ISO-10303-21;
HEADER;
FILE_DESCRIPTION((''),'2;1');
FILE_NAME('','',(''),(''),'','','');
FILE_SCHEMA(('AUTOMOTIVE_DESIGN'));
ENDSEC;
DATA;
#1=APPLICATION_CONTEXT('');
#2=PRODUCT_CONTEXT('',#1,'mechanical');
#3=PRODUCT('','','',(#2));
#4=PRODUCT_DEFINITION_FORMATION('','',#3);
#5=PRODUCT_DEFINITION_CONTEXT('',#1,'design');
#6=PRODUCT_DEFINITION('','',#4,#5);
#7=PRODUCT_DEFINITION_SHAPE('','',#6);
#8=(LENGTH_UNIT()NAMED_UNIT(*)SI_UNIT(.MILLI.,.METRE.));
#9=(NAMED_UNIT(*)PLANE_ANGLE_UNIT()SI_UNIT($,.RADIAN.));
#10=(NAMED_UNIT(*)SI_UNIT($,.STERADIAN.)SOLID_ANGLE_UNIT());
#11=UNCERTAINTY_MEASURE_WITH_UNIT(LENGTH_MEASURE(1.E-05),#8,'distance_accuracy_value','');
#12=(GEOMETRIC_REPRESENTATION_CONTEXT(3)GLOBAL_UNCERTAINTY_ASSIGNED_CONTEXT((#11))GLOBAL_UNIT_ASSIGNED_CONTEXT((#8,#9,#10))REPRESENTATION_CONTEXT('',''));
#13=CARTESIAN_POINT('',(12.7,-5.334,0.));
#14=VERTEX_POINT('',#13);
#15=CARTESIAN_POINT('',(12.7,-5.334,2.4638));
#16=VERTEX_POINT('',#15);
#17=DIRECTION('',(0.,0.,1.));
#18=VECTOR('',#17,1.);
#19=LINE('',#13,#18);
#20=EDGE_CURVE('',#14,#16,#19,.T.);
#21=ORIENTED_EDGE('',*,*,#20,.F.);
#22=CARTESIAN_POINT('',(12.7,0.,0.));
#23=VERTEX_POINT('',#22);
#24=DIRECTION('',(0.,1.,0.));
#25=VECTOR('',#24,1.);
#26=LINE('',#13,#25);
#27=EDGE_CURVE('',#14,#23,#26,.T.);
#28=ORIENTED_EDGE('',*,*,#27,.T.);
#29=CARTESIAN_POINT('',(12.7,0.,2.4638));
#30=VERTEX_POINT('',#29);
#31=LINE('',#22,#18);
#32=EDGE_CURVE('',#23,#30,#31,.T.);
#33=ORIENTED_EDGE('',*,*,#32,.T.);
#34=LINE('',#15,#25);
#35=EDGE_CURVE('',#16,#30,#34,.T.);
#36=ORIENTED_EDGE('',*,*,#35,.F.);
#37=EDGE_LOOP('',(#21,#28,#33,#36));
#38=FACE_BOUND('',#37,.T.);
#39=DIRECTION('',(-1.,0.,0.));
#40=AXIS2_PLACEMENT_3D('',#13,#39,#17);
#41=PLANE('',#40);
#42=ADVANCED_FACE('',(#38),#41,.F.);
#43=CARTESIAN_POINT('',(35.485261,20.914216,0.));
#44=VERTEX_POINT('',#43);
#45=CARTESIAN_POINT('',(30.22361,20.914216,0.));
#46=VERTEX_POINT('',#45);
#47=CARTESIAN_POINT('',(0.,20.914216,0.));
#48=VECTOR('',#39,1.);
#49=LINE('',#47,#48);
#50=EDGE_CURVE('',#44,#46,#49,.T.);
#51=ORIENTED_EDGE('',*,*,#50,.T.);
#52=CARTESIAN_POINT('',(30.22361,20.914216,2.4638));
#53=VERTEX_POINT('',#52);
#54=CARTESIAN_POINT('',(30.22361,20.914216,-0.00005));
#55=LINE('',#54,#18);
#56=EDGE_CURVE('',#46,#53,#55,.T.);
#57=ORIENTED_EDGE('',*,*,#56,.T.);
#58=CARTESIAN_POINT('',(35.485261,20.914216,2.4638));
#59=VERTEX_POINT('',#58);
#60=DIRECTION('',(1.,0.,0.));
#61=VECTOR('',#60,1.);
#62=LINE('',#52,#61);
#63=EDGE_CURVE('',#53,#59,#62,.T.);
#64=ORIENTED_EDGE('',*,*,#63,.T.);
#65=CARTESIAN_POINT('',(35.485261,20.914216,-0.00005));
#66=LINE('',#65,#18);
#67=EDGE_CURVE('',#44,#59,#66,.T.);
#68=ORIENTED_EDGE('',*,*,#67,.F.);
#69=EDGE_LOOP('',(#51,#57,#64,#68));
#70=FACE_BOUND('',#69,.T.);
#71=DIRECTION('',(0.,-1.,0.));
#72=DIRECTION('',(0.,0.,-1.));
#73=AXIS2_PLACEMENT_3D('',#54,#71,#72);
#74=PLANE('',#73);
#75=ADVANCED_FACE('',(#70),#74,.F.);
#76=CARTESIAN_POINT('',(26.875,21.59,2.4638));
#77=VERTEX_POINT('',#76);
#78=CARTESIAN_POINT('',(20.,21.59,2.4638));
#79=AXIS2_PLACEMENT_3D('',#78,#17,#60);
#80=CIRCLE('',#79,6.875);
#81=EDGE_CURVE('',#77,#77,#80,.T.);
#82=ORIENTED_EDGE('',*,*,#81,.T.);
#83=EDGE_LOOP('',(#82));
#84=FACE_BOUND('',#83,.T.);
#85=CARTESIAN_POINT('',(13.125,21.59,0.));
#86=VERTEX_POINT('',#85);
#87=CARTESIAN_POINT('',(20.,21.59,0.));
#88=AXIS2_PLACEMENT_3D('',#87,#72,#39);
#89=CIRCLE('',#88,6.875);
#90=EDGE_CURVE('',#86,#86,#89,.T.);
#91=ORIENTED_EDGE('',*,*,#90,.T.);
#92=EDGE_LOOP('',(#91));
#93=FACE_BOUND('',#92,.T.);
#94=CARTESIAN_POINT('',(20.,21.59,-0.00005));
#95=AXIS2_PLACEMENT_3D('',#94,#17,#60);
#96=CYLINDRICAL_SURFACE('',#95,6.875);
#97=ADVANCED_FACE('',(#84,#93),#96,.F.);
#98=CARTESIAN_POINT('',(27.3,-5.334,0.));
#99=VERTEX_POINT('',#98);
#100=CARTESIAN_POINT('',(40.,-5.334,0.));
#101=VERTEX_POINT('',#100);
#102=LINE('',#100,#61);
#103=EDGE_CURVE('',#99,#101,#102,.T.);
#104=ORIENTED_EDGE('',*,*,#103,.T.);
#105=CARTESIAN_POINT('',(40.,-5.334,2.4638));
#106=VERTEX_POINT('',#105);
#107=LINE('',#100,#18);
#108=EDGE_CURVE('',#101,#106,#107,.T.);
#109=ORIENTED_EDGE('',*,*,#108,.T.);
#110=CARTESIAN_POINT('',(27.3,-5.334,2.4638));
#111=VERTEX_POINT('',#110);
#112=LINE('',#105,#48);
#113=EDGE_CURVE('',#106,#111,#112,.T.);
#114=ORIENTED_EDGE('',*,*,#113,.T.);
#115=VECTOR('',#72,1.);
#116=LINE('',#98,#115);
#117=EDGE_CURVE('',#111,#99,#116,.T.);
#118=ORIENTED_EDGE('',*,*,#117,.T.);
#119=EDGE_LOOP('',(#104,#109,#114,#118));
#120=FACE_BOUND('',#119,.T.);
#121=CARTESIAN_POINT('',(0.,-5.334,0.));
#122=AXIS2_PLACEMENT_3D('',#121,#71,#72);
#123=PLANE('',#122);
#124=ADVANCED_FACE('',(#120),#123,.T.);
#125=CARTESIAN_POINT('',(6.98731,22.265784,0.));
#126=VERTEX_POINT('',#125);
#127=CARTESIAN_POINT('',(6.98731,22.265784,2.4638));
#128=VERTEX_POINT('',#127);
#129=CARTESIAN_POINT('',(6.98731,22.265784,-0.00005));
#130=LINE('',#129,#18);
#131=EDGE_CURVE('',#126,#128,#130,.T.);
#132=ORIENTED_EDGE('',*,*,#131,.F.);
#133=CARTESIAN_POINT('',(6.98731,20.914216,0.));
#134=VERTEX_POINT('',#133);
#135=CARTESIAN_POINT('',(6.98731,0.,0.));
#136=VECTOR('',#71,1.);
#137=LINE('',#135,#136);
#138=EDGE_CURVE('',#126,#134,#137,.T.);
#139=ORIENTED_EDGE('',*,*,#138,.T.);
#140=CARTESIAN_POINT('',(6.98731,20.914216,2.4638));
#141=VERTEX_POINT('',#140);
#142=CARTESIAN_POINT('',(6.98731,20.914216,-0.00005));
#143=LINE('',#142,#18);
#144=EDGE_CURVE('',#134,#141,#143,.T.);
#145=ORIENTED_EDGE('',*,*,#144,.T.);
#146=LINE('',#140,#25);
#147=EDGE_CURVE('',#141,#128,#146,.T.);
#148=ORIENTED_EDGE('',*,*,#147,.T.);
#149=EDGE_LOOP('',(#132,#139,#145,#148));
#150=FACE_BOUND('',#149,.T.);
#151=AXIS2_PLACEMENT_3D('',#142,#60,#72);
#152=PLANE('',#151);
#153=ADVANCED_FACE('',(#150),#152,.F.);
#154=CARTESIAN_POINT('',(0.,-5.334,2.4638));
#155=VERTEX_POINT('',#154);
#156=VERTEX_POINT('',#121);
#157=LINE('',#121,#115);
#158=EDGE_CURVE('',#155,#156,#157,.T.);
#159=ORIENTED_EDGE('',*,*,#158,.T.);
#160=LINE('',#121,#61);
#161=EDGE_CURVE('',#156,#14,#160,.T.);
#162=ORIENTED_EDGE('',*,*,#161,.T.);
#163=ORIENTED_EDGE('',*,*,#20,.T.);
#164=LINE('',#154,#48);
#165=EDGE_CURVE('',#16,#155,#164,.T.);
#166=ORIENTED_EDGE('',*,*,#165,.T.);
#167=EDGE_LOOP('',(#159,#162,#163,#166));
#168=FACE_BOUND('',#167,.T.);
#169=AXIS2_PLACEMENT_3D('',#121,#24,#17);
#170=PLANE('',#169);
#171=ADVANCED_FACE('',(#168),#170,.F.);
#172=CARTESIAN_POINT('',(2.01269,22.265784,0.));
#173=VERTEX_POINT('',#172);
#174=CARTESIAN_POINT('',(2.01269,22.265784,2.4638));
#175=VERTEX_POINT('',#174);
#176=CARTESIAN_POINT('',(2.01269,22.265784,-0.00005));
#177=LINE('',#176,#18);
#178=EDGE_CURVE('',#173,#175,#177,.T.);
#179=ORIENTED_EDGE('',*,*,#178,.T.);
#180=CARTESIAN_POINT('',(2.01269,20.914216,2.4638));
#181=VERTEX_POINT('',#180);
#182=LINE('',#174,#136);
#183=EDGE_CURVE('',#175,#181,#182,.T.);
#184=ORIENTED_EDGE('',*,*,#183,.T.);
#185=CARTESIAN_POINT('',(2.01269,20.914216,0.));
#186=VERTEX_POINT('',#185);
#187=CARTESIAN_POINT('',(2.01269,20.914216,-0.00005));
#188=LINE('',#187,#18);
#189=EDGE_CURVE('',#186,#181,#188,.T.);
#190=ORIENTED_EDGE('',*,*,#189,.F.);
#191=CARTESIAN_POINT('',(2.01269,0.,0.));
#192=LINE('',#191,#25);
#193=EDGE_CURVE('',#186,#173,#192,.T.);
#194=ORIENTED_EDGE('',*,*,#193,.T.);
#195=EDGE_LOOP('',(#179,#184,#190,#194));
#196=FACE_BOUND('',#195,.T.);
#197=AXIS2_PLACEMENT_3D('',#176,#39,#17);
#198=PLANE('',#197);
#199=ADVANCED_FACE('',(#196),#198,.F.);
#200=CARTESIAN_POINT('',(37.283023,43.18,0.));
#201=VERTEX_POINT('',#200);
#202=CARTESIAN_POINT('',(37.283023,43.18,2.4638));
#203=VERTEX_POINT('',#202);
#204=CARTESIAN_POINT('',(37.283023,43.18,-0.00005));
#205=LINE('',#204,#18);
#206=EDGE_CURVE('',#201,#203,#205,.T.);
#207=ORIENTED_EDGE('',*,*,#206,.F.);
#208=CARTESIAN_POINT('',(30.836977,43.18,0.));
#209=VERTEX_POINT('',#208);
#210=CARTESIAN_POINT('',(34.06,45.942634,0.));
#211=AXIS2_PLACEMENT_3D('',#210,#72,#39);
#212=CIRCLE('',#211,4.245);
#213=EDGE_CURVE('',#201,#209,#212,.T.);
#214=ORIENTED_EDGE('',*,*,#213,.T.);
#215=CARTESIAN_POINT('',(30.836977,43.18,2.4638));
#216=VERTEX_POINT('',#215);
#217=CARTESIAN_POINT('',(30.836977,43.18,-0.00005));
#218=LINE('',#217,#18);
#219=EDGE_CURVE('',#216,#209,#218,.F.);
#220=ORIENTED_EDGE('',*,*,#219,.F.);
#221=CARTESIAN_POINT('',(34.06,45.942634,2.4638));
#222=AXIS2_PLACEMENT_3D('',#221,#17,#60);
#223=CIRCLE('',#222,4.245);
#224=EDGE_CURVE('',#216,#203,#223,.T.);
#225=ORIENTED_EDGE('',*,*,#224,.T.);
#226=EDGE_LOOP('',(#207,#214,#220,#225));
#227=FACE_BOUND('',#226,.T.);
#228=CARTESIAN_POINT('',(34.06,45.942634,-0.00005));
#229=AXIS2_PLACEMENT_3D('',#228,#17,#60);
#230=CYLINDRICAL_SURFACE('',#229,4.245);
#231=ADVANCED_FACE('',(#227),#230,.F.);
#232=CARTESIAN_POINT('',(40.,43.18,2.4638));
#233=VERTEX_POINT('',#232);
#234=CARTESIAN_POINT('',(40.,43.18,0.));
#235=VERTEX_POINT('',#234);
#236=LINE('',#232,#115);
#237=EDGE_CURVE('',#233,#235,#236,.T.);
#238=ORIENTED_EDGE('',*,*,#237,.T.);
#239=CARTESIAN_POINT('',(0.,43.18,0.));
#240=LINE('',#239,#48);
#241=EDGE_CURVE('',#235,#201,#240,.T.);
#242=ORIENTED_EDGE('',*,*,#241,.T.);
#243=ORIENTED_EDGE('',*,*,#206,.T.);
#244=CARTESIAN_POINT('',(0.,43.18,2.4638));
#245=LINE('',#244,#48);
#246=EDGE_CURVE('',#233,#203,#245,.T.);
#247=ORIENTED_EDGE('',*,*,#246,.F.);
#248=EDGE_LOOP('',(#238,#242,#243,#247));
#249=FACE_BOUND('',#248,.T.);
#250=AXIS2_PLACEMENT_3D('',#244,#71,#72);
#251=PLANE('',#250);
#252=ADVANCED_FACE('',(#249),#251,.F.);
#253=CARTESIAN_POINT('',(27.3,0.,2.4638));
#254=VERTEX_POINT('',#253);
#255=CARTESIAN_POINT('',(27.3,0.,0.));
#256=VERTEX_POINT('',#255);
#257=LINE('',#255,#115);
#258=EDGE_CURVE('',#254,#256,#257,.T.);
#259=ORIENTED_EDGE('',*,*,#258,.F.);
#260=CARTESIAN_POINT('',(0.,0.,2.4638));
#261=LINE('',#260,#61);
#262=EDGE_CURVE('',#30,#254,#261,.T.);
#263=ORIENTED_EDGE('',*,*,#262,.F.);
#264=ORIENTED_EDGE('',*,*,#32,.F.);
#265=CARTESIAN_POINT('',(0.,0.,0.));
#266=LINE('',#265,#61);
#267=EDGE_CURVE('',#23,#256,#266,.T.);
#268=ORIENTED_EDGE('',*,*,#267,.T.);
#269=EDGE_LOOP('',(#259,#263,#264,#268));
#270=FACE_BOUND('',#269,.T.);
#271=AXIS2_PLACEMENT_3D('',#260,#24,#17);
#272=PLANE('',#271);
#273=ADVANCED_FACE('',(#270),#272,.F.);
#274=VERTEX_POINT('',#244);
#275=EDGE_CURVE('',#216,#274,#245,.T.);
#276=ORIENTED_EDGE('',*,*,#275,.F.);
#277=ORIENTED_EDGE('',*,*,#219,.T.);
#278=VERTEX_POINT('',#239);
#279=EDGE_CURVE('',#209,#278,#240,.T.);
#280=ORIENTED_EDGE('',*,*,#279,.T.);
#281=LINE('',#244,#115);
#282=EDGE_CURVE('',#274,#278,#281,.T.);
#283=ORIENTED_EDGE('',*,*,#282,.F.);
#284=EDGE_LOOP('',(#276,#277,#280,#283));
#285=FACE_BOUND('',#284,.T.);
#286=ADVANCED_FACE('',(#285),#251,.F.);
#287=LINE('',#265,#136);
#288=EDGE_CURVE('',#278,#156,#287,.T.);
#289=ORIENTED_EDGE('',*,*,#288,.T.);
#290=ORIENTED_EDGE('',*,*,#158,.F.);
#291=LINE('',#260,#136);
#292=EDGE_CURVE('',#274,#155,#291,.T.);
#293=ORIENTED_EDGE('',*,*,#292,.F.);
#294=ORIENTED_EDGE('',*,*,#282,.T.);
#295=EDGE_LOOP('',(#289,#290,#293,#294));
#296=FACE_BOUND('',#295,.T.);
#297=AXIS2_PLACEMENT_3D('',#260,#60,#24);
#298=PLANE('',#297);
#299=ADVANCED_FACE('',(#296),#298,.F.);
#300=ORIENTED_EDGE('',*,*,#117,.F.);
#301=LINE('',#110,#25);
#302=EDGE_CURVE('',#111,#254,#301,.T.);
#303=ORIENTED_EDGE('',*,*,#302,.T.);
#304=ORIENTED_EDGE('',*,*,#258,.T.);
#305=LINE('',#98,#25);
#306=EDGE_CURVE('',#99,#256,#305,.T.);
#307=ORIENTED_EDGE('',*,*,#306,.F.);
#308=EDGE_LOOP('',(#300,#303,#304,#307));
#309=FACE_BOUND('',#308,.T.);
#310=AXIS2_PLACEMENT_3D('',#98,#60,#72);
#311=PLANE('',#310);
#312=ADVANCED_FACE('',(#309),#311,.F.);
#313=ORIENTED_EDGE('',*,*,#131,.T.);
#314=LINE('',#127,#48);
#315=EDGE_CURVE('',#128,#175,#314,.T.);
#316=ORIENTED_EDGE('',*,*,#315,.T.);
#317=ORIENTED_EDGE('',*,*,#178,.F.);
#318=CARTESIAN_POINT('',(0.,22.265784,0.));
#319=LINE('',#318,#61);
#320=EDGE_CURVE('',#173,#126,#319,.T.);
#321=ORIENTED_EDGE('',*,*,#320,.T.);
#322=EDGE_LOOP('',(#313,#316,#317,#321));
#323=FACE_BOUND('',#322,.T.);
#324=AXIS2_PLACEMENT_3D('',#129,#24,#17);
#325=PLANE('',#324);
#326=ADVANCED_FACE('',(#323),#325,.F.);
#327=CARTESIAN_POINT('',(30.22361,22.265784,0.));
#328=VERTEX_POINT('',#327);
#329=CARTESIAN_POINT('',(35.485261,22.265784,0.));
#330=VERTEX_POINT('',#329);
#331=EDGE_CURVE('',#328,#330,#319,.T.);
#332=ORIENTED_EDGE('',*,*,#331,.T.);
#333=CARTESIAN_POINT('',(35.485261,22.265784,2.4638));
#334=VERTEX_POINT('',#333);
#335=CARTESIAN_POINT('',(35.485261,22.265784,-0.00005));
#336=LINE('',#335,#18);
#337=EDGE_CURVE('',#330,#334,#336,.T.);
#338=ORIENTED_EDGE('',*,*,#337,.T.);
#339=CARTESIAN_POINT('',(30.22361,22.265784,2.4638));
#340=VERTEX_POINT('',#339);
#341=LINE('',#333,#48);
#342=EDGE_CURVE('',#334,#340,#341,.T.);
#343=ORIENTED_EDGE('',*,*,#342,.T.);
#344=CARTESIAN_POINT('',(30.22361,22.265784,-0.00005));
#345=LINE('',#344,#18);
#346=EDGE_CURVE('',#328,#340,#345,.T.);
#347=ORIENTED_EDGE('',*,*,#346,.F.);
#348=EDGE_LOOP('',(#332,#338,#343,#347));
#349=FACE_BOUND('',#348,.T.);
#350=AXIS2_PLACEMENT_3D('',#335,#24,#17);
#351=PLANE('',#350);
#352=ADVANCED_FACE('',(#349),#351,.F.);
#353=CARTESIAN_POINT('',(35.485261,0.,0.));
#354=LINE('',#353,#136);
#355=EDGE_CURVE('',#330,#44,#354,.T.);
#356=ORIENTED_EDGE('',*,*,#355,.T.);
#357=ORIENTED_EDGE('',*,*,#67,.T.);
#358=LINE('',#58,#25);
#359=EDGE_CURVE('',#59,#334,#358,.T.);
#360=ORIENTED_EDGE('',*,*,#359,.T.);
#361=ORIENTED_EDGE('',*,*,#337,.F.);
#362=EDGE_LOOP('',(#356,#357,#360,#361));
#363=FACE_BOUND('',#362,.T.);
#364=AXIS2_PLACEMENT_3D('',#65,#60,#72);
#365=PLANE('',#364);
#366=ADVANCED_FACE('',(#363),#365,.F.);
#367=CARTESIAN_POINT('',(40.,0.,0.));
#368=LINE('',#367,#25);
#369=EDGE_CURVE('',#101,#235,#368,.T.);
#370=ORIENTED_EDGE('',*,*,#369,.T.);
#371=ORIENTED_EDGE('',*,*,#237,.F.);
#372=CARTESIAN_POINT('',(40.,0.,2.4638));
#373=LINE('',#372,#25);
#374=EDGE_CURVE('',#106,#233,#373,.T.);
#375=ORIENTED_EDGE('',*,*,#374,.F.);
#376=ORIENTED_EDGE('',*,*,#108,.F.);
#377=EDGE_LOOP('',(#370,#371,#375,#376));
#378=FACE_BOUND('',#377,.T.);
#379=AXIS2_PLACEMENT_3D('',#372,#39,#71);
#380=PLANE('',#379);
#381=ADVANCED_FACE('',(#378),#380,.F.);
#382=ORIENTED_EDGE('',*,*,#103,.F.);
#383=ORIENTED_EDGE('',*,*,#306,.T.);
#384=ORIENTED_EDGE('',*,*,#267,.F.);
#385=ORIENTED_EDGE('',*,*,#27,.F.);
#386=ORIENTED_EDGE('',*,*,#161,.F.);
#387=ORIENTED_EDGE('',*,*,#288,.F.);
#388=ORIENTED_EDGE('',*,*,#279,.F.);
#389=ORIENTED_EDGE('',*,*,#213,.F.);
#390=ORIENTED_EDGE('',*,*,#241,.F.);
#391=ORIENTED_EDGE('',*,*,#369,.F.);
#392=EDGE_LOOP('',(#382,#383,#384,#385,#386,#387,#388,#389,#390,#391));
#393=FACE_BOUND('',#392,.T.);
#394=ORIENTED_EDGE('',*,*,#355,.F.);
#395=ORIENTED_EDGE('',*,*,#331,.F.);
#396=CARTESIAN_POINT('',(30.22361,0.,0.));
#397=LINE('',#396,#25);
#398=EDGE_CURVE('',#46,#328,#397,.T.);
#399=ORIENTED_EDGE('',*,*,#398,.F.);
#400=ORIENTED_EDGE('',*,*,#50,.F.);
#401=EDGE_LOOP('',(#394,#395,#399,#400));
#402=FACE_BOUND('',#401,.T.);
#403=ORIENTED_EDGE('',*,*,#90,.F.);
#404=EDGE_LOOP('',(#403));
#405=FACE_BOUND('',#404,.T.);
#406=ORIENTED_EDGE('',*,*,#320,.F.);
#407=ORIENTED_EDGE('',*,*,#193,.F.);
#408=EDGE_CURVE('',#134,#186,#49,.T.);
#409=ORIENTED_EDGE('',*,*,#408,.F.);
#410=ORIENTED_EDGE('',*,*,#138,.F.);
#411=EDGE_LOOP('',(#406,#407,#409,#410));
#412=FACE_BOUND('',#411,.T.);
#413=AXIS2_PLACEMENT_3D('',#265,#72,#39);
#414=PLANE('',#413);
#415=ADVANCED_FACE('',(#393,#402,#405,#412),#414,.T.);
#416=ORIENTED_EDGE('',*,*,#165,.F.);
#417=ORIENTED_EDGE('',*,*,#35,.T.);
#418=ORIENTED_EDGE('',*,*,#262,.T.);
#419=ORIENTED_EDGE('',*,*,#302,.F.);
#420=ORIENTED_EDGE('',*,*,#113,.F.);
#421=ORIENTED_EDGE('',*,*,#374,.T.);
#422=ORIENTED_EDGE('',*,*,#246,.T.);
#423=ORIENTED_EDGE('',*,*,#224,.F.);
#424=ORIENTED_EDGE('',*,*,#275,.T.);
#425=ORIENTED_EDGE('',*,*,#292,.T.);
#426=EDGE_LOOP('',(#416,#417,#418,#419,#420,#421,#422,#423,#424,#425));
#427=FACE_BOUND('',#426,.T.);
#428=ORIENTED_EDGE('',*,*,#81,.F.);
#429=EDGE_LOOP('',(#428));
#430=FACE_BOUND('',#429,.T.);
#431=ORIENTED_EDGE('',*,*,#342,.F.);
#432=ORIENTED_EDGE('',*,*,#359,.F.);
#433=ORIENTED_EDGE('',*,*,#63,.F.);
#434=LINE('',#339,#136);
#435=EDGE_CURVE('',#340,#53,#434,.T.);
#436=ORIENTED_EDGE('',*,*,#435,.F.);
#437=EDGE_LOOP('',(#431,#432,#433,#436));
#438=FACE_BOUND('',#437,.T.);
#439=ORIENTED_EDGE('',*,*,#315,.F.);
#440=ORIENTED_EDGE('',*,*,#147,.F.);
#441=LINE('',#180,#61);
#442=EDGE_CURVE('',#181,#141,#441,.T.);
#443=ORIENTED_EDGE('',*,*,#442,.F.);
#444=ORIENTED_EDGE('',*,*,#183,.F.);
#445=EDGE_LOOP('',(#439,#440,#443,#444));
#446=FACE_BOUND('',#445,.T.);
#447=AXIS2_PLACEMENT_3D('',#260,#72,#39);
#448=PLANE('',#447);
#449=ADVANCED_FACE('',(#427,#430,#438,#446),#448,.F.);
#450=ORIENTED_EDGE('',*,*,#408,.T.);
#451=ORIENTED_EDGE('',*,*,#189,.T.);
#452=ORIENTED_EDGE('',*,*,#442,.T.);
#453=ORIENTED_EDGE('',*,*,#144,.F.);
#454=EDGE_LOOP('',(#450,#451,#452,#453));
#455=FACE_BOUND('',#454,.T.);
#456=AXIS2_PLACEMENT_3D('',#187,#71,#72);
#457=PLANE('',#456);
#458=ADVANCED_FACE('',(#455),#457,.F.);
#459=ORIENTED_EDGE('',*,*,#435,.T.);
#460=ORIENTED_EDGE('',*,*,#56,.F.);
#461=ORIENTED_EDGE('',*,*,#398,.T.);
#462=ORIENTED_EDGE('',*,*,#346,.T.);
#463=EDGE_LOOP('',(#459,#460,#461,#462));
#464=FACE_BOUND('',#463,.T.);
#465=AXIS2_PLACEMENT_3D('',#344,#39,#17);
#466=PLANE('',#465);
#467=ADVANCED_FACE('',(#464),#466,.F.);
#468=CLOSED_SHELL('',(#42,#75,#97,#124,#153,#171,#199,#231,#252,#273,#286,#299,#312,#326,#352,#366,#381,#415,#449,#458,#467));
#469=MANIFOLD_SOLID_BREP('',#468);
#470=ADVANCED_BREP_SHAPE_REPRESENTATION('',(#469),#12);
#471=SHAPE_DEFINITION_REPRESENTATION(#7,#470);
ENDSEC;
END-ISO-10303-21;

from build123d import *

# Parameters (mm, degrees)
SKETCH1_W          = 40
SKETCH1_H          = 43.18
BASE_DEPTH         = 2.4638
SKETCH2_W          = 12.7
SKETCH2_H          = 2.4638
BOTTOM_TABS_DEPTH  = 5.334
SKETCH3_R          = 6.875
SKETCH3_W          = 5.261651729
SKETCH3_H          = 1.351567934
SKETCH3_W_2        = 4.974619722
MOUNT_POINTS_DEPTH = 59.911651737
SKETCH4_R          = 4.245
CUT_EXTRUDE2_DEPTH = 36.250138525


with BuildPart() as part:
    # Sketch1 → Base (new body)
    with BuildSketch(Plane.XY):
        with Locations((20, 21.59)):
            Rectangle(SKETCH1_W, SKETCH1_H)
    extrude(amount=BASE_DEPTH)

    # Sketch2 → Bottom Tabs (add)
    with BuildSketch(Plane.XZ):
        with Locations((6.35, 1.2319)):
            Rectangle(SKETCH2_W, SKETCH2_H)
        with Locations((33.65, 1.2319)):
            Rectangle(SKETCH2_W, SKETCH2_H)
    extrude(amount=BOTTOM_TABS_DEPTH)

    # Sketch3 → Mount Points (cut, through all)
    with BuildSketch(Plane.XY.offset(2.4638)):
        with Locations((20, 21.59)):
            Circle(SKETCH3_R)
        with Locations((32.854435388, 21.59)):
            Rectangle(SKETCH3_W, SKETCH3_H)
        with Locations((4.5, 21.59)):
            Rectangle(SKETCH3_W_2, SKETCH3_H)
    extrude(amount=-MOUNT_POINTS_DEPTH, mode=Mode.SUBTRACT)

    # Sketch4 → Cut-Extrude2 (cut, through all)
    with BuildSketch(Plane(origin=(18.246403628, 22.293576812, 2.4638), x_dir=(1, 0, 0), z_dir=(0, 0, 1))):
        with Locations((15.813596372, 23.649057543)):
            Circle(SKETCH4_R)
    extrude(amount=-CUT_EXTRUDE2_DEPTH, mode=Mode.SUBTRACT)


solid = part.part
